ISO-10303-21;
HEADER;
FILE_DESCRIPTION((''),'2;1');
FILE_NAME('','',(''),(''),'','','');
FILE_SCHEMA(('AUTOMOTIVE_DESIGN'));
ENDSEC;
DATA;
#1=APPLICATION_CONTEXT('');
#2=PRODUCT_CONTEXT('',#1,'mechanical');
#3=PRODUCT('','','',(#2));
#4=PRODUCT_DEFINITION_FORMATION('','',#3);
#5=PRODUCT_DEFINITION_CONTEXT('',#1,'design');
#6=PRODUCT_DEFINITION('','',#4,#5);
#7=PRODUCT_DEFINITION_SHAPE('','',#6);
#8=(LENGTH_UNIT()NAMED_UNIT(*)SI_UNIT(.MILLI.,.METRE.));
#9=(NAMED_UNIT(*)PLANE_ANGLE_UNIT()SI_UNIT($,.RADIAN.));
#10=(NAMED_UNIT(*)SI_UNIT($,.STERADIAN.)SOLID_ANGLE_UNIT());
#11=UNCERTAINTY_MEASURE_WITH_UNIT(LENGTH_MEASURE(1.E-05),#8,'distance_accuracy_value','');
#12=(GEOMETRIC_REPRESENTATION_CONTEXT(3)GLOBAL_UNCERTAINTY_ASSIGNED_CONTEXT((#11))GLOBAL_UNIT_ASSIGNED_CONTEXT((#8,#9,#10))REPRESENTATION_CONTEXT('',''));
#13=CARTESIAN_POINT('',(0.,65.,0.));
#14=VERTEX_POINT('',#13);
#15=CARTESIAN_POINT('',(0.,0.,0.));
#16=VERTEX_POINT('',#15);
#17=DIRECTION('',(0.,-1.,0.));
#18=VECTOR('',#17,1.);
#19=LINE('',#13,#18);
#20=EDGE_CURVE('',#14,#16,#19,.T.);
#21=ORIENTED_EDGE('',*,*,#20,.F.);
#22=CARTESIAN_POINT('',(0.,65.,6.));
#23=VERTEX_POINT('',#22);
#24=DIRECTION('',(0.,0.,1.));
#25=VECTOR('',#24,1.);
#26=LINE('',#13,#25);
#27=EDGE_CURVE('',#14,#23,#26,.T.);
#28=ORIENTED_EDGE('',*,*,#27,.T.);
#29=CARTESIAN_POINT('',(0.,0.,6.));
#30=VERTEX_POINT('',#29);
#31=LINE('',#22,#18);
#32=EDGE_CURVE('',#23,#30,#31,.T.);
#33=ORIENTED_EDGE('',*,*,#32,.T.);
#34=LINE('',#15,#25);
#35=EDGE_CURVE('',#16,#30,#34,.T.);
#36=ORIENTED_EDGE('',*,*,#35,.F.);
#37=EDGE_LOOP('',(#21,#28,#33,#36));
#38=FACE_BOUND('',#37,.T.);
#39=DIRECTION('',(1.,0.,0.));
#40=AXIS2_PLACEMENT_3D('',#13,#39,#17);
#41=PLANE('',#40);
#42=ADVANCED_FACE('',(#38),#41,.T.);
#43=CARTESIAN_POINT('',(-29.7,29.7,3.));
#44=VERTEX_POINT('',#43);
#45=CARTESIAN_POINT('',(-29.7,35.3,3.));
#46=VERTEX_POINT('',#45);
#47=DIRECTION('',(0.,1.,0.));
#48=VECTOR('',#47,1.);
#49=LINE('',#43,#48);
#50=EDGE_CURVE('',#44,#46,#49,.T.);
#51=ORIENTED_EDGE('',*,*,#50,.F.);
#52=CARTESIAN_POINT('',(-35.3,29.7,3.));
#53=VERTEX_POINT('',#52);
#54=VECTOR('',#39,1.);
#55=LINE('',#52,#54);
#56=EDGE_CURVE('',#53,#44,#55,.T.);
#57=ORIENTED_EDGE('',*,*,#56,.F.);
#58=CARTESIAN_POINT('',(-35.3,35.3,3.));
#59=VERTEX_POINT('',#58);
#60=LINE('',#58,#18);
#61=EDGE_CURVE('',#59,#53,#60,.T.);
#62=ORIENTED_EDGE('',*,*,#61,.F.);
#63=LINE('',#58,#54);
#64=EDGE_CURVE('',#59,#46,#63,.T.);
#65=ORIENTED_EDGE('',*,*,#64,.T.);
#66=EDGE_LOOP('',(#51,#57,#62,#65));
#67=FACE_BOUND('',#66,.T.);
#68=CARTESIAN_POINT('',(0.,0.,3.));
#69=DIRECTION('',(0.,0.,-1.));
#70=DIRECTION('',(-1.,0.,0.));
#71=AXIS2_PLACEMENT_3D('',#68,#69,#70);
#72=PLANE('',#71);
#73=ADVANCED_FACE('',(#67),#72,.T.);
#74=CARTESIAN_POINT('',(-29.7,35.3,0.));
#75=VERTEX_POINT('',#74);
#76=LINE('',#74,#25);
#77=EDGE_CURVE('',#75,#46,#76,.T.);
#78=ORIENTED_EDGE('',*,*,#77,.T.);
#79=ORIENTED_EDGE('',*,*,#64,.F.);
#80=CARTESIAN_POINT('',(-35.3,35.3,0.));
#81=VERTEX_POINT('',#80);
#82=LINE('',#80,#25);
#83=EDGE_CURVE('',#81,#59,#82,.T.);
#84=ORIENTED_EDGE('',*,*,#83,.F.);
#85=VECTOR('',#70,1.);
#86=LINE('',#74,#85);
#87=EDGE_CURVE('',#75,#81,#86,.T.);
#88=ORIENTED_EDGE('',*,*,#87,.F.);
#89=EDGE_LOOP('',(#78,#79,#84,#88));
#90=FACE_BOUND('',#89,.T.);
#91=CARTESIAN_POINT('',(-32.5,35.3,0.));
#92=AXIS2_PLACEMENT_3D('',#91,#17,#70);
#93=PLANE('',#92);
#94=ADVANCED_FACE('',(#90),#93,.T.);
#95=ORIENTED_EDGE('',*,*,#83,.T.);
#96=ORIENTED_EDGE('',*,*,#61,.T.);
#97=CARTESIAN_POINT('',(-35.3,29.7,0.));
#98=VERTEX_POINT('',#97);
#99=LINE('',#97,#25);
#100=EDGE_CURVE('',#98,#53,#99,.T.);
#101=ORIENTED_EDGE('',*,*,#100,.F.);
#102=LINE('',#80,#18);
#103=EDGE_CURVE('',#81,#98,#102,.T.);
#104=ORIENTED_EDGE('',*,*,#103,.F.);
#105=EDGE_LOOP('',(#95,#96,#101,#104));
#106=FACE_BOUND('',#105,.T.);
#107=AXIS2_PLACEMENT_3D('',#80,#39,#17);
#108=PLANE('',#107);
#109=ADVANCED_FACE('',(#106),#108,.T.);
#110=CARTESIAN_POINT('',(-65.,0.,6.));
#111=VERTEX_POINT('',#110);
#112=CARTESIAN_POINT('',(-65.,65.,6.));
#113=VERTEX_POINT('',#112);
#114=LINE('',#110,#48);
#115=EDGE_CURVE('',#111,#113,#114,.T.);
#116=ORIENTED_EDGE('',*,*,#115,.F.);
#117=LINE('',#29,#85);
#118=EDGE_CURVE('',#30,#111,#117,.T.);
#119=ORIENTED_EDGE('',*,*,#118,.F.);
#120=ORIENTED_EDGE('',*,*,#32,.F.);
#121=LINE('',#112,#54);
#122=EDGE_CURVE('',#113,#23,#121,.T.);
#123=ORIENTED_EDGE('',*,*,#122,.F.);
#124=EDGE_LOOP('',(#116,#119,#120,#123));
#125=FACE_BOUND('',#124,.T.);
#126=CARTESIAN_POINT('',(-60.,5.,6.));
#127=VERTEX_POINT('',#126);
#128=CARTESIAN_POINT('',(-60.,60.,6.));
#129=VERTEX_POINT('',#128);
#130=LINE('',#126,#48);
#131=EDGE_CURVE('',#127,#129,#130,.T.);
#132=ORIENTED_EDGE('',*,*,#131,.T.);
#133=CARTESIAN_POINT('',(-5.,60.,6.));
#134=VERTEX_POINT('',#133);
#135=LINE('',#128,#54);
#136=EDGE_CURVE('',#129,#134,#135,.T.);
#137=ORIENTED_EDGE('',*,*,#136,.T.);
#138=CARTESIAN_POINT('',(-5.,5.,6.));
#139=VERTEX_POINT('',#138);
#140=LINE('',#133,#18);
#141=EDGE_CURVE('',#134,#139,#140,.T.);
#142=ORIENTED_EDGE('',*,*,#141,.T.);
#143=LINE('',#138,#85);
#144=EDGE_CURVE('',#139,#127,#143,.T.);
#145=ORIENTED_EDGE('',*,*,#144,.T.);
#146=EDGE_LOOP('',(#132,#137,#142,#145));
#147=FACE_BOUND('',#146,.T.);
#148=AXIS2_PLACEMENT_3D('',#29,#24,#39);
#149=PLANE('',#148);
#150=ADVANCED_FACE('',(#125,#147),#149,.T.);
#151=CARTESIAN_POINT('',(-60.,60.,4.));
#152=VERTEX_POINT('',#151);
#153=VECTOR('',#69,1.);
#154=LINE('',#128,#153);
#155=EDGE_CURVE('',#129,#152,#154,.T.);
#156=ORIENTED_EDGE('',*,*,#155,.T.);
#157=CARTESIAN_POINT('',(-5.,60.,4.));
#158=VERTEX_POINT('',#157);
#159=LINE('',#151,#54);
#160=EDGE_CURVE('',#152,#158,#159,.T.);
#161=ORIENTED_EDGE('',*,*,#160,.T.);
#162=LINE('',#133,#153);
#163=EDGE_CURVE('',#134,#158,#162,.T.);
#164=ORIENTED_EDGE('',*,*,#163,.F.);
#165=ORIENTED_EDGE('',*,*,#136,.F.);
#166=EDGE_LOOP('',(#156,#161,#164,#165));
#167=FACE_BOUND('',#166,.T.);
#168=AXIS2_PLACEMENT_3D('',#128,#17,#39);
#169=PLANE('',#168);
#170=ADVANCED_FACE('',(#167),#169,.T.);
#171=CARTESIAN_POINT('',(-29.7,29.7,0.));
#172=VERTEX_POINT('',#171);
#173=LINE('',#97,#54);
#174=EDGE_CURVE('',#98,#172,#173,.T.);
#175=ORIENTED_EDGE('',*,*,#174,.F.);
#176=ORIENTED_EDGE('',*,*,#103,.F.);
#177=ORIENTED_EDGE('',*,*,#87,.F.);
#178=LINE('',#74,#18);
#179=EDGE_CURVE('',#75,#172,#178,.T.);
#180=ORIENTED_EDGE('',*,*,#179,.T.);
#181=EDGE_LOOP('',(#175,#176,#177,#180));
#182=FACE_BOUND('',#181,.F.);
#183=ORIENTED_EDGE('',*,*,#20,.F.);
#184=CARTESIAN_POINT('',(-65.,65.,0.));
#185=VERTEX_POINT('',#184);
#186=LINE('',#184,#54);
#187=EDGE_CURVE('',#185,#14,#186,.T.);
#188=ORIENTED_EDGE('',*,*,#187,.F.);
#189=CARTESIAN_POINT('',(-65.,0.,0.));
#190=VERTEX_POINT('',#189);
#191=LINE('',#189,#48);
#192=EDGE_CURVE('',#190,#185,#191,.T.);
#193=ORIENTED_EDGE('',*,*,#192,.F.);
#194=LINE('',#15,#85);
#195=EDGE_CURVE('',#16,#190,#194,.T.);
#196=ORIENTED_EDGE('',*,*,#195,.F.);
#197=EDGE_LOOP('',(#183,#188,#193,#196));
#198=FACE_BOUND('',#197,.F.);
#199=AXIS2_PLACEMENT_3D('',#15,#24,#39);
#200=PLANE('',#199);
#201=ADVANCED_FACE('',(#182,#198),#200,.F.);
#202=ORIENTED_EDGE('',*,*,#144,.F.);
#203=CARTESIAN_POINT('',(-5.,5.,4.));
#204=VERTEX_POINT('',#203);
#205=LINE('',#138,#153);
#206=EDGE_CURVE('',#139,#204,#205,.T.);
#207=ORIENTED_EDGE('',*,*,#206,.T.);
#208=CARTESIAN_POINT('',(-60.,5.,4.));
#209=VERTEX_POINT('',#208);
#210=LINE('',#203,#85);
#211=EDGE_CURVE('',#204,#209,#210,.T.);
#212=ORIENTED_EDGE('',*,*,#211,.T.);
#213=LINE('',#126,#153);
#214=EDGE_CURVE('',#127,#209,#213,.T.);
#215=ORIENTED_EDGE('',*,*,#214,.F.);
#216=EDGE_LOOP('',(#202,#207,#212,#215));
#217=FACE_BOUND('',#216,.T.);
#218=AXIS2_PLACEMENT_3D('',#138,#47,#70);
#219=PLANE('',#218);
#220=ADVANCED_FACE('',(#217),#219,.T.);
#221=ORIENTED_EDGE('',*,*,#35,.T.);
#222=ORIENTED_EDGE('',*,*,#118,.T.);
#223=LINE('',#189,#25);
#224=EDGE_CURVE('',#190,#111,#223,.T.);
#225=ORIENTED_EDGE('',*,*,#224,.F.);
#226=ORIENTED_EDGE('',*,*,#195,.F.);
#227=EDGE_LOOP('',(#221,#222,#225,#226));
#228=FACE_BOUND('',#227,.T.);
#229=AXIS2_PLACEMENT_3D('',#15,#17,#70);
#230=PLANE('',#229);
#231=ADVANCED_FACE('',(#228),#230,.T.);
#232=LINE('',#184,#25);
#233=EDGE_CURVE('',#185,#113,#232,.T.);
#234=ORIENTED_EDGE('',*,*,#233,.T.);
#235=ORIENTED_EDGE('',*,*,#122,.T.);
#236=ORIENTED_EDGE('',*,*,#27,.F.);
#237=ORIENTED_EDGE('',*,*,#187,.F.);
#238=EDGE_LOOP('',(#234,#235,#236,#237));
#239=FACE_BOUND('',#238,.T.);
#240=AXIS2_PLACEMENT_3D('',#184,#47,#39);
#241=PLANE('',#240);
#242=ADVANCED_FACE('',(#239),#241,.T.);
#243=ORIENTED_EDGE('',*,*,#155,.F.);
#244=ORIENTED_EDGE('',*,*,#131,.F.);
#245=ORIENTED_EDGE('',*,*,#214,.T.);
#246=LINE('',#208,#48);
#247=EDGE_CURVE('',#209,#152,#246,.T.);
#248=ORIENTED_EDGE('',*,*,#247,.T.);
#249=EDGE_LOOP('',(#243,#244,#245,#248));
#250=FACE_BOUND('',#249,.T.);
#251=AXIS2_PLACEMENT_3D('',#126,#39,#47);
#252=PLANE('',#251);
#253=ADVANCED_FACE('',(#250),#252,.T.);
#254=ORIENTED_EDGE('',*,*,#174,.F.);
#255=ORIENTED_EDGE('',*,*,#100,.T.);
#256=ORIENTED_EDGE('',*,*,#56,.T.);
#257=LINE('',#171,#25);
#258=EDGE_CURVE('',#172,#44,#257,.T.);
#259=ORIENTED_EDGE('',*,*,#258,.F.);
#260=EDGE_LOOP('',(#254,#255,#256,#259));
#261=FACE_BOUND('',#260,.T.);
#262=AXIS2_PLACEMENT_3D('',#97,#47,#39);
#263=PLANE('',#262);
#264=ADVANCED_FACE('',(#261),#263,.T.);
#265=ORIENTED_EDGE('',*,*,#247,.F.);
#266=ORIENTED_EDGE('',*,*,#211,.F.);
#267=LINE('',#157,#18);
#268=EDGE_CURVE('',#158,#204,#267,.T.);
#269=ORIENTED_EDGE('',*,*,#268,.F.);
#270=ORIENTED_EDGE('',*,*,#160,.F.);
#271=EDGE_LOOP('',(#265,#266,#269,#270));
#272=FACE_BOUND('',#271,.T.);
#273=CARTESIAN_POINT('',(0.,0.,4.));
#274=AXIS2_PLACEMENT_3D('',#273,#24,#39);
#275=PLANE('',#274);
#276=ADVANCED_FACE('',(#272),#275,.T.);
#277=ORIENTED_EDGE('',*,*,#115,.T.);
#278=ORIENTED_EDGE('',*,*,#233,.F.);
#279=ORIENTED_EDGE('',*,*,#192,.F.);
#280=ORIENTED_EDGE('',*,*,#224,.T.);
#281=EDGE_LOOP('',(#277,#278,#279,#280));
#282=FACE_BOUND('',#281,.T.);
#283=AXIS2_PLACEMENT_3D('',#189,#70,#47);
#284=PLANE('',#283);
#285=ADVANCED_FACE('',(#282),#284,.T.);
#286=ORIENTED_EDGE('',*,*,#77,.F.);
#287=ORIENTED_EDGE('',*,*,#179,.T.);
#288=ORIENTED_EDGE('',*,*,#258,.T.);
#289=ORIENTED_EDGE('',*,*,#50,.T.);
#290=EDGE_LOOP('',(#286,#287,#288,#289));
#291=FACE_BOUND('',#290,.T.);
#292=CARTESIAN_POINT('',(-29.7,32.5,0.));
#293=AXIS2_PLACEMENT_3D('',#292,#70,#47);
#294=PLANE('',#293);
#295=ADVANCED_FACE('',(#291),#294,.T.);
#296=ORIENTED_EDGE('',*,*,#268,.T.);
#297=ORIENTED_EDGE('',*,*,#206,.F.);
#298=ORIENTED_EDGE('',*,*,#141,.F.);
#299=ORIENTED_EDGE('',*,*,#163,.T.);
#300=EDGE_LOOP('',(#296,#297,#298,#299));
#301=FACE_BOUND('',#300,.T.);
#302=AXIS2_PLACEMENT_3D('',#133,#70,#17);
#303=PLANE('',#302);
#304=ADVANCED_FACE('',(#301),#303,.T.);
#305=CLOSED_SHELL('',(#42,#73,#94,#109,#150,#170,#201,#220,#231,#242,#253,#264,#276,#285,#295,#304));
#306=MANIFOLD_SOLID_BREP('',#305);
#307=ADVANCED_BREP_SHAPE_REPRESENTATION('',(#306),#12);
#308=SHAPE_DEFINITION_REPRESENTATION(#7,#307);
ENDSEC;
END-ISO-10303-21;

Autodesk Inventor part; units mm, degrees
ref_plane "YZ Plane" through (0, 0, 0) normal (1, 0, 0) x (0, 1, 0)
ref_plane "XZ Plane" through (0, 0, 0) normal (0, 1, 0) x (-1, 0, 0)
ref_plane "XY Plane" through (0, 0, 0) normal (0, 0, 1) x (1, 0, 0)
sketch "Sketch1" plane through (0, 0, 0) normal (0, 0, 1) x (1, 0, 0)
  line L0 (0, 0) -> (-65, 0)
  line L1 (-65, 0) -> (-65, 65)
  line L2 (-65, 65) -> (0, 65)
  line L3 (0, 65) -> (0, 0)
  dimension "d4" = 65
  dimension "d5" = 65
extrude "Extrusion1" add sketch "Sketch1" along normal blind 6
sketch "Sketch2" plane through (0, 0, 6) normal (0, 0, 1) x (1, 0, 0)
  line L0 (-5, 5) -> (-60, 5)
  line L1 (-60, 5) -> (-60, 60)
  line L2 (-60, 60) -> (-5, 60)
  line L3 (-5, 60) -> (-5, 5)
  point P0 (0, 0)
  dimension "d8" = 55
  dimension "d9" = 55
extrude "Extrusion2" cut sketch "Sketch2" against normal blind 2
sketch "Sketch4" plane through (0, 0, 0) normal (0, 0, -1) x (-1, 0, 0)
  line L0 (32.5, 32.5) -> (29.7, 32.5)
  line L1 (29.7, 32.5) -> (29.7, 35.3)
  line L2 (29.7, 35.3) -> (32.5, 35.3)
  line L3 (32.5, 35.3) -> (32.5, 32.5)
  line L4 (29.7, 35.3) -> (35.3, 35.3)
  line L5 (35.3, 35.3) -> (35.3, 29.7)
  line L6 (35.3, 29.7) -> (29.7, 29.7)
  line L7 (29.7, 29.7) -> (29.7, 35.3)
  point P0 (0, 0)
  dimension "d30" = 2.8
  dimension "d31" = 2.8
  dimension "d32" = 5.6
  dimension "d33" = 5.6
extrude "Extrusion6" cut sketch "Sketch4" against normal blind 3
properties part number "Clip_MarkerHolderV1"
